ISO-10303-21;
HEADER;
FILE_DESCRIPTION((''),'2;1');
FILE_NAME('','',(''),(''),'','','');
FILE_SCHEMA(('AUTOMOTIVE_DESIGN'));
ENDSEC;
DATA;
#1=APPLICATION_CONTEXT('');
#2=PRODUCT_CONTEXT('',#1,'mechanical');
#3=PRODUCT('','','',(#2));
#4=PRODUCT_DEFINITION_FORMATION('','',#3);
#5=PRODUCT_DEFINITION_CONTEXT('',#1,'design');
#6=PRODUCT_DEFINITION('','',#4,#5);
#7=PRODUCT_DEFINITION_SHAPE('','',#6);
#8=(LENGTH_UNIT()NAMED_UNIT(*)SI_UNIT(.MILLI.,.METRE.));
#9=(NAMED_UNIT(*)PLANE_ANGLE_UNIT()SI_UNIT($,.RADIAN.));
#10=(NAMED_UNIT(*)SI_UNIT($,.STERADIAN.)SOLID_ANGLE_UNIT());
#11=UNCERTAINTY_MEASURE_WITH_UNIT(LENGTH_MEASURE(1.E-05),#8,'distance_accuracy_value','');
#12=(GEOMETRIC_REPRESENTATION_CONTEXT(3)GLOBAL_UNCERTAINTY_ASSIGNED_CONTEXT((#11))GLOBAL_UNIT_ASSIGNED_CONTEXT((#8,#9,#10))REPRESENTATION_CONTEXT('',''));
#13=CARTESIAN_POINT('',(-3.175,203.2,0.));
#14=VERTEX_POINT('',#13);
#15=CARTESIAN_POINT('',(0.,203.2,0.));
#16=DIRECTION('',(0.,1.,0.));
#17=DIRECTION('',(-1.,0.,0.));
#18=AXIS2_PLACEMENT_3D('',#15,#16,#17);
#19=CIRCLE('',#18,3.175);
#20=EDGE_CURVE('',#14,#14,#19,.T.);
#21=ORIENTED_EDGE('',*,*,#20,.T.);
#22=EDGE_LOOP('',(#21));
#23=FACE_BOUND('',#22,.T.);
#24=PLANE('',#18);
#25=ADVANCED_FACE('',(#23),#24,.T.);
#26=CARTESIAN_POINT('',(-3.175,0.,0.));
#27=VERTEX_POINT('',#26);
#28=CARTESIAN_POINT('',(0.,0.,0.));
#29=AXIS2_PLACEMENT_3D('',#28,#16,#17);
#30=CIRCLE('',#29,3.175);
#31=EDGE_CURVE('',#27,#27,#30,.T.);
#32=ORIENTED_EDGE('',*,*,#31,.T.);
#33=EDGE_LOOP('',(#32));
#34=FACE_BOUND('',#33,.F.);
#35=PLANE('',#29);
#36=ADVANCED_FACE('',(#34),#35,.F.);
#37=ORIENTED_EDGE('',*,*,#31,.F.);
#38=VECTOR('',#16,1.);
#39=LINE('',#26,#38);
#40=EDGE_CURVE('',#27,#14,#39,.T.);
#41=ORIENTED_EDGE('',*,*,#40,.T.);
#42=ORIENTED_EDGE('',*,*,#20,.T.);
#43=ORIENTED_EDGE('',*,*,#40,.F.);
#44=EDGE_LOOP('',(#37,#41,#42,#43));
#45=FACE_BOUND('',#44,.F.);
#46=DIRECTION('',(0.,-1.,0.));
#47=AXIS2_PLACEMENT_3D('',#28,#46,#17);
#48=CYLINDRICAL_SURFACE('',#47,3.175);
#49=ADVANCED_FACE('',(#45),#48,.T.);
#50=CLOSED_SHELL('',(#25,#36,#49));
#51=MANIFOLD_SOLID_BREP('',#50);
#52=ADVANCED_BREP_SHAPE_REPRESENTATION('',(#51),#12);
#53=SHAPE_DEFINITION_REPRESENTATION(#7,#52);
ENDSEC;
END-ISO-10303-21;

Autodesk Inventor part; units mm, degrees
ref_plane "YZ Plane" through (0, 0, 0) normal (1, 0, 0) x (0, 1, 0)
ref_plane "XZ Plane" through (0, 0, 0) normal (0, 1, 0) x (-1, 0, 0)
ref_plane "XY Plane" through (0, 0, 0) normal (0, 0, 1) x (1, 0, 0)
sketch "Sketch1" plane through (0, 0, 0) normal (0, 1, 0) x (-1, 0, 0)
  circle A0 centre (0, 0) radius 3.175
  dimension "d0" = 6.35
extrude "Extrusion1" add sketch "Sketch1" along normal blind 203.2
equation "\"d0\" = shaftDiam"
equation "\"d1\" = height"
equation "\"height\" = 203.2"
equation "\"shaftDiam\" = 6.35"
equation "\"stageSpace\" = 2.54"
equation "\"shaftSpace\" = 1.5875"
equation "\"stageAngle\" = 15deg"
equation "\"groundActu\" = 304.8"
equation "\"capThickness\" = 3.175"
equation "\"baseDepth\" = 254"
equation "\"baseWidth\" = 1066.8"
equation "\"stockHeight\" = 50.8"
equation "\"stockWidth\" = 76.2"
equation "\"stockGuage\" = 3.175"
equation "\"stockRad\" = 9.525"
equation "\"sup1Ang\" = 22.619865deg"
equation "\"sup1Len\" = 660.4"
equation "\"supVertLen\" = 955.13561"
equation "\"sup2Ang\" = 8.959949deg"
equation "\"sup2Len\" = 2079.37366"
equation "\"supSideAng\" = 19.376933deg"
equation "\"supSideLen\" = 1531.12879"
equation "\"FlangeDiam\" = 12.7"
equation "\"bearingDiam\" = 9.5504"
equation "\"FlangeDepth\" = 1.5875"
equation "\"smallFilet\" = 0.39687"
equation "\"thickness\" = 12.7"
equation "\"ringDiam\" = 96.46608"
properties part number "arm shaft" material "Stainless Steel"
